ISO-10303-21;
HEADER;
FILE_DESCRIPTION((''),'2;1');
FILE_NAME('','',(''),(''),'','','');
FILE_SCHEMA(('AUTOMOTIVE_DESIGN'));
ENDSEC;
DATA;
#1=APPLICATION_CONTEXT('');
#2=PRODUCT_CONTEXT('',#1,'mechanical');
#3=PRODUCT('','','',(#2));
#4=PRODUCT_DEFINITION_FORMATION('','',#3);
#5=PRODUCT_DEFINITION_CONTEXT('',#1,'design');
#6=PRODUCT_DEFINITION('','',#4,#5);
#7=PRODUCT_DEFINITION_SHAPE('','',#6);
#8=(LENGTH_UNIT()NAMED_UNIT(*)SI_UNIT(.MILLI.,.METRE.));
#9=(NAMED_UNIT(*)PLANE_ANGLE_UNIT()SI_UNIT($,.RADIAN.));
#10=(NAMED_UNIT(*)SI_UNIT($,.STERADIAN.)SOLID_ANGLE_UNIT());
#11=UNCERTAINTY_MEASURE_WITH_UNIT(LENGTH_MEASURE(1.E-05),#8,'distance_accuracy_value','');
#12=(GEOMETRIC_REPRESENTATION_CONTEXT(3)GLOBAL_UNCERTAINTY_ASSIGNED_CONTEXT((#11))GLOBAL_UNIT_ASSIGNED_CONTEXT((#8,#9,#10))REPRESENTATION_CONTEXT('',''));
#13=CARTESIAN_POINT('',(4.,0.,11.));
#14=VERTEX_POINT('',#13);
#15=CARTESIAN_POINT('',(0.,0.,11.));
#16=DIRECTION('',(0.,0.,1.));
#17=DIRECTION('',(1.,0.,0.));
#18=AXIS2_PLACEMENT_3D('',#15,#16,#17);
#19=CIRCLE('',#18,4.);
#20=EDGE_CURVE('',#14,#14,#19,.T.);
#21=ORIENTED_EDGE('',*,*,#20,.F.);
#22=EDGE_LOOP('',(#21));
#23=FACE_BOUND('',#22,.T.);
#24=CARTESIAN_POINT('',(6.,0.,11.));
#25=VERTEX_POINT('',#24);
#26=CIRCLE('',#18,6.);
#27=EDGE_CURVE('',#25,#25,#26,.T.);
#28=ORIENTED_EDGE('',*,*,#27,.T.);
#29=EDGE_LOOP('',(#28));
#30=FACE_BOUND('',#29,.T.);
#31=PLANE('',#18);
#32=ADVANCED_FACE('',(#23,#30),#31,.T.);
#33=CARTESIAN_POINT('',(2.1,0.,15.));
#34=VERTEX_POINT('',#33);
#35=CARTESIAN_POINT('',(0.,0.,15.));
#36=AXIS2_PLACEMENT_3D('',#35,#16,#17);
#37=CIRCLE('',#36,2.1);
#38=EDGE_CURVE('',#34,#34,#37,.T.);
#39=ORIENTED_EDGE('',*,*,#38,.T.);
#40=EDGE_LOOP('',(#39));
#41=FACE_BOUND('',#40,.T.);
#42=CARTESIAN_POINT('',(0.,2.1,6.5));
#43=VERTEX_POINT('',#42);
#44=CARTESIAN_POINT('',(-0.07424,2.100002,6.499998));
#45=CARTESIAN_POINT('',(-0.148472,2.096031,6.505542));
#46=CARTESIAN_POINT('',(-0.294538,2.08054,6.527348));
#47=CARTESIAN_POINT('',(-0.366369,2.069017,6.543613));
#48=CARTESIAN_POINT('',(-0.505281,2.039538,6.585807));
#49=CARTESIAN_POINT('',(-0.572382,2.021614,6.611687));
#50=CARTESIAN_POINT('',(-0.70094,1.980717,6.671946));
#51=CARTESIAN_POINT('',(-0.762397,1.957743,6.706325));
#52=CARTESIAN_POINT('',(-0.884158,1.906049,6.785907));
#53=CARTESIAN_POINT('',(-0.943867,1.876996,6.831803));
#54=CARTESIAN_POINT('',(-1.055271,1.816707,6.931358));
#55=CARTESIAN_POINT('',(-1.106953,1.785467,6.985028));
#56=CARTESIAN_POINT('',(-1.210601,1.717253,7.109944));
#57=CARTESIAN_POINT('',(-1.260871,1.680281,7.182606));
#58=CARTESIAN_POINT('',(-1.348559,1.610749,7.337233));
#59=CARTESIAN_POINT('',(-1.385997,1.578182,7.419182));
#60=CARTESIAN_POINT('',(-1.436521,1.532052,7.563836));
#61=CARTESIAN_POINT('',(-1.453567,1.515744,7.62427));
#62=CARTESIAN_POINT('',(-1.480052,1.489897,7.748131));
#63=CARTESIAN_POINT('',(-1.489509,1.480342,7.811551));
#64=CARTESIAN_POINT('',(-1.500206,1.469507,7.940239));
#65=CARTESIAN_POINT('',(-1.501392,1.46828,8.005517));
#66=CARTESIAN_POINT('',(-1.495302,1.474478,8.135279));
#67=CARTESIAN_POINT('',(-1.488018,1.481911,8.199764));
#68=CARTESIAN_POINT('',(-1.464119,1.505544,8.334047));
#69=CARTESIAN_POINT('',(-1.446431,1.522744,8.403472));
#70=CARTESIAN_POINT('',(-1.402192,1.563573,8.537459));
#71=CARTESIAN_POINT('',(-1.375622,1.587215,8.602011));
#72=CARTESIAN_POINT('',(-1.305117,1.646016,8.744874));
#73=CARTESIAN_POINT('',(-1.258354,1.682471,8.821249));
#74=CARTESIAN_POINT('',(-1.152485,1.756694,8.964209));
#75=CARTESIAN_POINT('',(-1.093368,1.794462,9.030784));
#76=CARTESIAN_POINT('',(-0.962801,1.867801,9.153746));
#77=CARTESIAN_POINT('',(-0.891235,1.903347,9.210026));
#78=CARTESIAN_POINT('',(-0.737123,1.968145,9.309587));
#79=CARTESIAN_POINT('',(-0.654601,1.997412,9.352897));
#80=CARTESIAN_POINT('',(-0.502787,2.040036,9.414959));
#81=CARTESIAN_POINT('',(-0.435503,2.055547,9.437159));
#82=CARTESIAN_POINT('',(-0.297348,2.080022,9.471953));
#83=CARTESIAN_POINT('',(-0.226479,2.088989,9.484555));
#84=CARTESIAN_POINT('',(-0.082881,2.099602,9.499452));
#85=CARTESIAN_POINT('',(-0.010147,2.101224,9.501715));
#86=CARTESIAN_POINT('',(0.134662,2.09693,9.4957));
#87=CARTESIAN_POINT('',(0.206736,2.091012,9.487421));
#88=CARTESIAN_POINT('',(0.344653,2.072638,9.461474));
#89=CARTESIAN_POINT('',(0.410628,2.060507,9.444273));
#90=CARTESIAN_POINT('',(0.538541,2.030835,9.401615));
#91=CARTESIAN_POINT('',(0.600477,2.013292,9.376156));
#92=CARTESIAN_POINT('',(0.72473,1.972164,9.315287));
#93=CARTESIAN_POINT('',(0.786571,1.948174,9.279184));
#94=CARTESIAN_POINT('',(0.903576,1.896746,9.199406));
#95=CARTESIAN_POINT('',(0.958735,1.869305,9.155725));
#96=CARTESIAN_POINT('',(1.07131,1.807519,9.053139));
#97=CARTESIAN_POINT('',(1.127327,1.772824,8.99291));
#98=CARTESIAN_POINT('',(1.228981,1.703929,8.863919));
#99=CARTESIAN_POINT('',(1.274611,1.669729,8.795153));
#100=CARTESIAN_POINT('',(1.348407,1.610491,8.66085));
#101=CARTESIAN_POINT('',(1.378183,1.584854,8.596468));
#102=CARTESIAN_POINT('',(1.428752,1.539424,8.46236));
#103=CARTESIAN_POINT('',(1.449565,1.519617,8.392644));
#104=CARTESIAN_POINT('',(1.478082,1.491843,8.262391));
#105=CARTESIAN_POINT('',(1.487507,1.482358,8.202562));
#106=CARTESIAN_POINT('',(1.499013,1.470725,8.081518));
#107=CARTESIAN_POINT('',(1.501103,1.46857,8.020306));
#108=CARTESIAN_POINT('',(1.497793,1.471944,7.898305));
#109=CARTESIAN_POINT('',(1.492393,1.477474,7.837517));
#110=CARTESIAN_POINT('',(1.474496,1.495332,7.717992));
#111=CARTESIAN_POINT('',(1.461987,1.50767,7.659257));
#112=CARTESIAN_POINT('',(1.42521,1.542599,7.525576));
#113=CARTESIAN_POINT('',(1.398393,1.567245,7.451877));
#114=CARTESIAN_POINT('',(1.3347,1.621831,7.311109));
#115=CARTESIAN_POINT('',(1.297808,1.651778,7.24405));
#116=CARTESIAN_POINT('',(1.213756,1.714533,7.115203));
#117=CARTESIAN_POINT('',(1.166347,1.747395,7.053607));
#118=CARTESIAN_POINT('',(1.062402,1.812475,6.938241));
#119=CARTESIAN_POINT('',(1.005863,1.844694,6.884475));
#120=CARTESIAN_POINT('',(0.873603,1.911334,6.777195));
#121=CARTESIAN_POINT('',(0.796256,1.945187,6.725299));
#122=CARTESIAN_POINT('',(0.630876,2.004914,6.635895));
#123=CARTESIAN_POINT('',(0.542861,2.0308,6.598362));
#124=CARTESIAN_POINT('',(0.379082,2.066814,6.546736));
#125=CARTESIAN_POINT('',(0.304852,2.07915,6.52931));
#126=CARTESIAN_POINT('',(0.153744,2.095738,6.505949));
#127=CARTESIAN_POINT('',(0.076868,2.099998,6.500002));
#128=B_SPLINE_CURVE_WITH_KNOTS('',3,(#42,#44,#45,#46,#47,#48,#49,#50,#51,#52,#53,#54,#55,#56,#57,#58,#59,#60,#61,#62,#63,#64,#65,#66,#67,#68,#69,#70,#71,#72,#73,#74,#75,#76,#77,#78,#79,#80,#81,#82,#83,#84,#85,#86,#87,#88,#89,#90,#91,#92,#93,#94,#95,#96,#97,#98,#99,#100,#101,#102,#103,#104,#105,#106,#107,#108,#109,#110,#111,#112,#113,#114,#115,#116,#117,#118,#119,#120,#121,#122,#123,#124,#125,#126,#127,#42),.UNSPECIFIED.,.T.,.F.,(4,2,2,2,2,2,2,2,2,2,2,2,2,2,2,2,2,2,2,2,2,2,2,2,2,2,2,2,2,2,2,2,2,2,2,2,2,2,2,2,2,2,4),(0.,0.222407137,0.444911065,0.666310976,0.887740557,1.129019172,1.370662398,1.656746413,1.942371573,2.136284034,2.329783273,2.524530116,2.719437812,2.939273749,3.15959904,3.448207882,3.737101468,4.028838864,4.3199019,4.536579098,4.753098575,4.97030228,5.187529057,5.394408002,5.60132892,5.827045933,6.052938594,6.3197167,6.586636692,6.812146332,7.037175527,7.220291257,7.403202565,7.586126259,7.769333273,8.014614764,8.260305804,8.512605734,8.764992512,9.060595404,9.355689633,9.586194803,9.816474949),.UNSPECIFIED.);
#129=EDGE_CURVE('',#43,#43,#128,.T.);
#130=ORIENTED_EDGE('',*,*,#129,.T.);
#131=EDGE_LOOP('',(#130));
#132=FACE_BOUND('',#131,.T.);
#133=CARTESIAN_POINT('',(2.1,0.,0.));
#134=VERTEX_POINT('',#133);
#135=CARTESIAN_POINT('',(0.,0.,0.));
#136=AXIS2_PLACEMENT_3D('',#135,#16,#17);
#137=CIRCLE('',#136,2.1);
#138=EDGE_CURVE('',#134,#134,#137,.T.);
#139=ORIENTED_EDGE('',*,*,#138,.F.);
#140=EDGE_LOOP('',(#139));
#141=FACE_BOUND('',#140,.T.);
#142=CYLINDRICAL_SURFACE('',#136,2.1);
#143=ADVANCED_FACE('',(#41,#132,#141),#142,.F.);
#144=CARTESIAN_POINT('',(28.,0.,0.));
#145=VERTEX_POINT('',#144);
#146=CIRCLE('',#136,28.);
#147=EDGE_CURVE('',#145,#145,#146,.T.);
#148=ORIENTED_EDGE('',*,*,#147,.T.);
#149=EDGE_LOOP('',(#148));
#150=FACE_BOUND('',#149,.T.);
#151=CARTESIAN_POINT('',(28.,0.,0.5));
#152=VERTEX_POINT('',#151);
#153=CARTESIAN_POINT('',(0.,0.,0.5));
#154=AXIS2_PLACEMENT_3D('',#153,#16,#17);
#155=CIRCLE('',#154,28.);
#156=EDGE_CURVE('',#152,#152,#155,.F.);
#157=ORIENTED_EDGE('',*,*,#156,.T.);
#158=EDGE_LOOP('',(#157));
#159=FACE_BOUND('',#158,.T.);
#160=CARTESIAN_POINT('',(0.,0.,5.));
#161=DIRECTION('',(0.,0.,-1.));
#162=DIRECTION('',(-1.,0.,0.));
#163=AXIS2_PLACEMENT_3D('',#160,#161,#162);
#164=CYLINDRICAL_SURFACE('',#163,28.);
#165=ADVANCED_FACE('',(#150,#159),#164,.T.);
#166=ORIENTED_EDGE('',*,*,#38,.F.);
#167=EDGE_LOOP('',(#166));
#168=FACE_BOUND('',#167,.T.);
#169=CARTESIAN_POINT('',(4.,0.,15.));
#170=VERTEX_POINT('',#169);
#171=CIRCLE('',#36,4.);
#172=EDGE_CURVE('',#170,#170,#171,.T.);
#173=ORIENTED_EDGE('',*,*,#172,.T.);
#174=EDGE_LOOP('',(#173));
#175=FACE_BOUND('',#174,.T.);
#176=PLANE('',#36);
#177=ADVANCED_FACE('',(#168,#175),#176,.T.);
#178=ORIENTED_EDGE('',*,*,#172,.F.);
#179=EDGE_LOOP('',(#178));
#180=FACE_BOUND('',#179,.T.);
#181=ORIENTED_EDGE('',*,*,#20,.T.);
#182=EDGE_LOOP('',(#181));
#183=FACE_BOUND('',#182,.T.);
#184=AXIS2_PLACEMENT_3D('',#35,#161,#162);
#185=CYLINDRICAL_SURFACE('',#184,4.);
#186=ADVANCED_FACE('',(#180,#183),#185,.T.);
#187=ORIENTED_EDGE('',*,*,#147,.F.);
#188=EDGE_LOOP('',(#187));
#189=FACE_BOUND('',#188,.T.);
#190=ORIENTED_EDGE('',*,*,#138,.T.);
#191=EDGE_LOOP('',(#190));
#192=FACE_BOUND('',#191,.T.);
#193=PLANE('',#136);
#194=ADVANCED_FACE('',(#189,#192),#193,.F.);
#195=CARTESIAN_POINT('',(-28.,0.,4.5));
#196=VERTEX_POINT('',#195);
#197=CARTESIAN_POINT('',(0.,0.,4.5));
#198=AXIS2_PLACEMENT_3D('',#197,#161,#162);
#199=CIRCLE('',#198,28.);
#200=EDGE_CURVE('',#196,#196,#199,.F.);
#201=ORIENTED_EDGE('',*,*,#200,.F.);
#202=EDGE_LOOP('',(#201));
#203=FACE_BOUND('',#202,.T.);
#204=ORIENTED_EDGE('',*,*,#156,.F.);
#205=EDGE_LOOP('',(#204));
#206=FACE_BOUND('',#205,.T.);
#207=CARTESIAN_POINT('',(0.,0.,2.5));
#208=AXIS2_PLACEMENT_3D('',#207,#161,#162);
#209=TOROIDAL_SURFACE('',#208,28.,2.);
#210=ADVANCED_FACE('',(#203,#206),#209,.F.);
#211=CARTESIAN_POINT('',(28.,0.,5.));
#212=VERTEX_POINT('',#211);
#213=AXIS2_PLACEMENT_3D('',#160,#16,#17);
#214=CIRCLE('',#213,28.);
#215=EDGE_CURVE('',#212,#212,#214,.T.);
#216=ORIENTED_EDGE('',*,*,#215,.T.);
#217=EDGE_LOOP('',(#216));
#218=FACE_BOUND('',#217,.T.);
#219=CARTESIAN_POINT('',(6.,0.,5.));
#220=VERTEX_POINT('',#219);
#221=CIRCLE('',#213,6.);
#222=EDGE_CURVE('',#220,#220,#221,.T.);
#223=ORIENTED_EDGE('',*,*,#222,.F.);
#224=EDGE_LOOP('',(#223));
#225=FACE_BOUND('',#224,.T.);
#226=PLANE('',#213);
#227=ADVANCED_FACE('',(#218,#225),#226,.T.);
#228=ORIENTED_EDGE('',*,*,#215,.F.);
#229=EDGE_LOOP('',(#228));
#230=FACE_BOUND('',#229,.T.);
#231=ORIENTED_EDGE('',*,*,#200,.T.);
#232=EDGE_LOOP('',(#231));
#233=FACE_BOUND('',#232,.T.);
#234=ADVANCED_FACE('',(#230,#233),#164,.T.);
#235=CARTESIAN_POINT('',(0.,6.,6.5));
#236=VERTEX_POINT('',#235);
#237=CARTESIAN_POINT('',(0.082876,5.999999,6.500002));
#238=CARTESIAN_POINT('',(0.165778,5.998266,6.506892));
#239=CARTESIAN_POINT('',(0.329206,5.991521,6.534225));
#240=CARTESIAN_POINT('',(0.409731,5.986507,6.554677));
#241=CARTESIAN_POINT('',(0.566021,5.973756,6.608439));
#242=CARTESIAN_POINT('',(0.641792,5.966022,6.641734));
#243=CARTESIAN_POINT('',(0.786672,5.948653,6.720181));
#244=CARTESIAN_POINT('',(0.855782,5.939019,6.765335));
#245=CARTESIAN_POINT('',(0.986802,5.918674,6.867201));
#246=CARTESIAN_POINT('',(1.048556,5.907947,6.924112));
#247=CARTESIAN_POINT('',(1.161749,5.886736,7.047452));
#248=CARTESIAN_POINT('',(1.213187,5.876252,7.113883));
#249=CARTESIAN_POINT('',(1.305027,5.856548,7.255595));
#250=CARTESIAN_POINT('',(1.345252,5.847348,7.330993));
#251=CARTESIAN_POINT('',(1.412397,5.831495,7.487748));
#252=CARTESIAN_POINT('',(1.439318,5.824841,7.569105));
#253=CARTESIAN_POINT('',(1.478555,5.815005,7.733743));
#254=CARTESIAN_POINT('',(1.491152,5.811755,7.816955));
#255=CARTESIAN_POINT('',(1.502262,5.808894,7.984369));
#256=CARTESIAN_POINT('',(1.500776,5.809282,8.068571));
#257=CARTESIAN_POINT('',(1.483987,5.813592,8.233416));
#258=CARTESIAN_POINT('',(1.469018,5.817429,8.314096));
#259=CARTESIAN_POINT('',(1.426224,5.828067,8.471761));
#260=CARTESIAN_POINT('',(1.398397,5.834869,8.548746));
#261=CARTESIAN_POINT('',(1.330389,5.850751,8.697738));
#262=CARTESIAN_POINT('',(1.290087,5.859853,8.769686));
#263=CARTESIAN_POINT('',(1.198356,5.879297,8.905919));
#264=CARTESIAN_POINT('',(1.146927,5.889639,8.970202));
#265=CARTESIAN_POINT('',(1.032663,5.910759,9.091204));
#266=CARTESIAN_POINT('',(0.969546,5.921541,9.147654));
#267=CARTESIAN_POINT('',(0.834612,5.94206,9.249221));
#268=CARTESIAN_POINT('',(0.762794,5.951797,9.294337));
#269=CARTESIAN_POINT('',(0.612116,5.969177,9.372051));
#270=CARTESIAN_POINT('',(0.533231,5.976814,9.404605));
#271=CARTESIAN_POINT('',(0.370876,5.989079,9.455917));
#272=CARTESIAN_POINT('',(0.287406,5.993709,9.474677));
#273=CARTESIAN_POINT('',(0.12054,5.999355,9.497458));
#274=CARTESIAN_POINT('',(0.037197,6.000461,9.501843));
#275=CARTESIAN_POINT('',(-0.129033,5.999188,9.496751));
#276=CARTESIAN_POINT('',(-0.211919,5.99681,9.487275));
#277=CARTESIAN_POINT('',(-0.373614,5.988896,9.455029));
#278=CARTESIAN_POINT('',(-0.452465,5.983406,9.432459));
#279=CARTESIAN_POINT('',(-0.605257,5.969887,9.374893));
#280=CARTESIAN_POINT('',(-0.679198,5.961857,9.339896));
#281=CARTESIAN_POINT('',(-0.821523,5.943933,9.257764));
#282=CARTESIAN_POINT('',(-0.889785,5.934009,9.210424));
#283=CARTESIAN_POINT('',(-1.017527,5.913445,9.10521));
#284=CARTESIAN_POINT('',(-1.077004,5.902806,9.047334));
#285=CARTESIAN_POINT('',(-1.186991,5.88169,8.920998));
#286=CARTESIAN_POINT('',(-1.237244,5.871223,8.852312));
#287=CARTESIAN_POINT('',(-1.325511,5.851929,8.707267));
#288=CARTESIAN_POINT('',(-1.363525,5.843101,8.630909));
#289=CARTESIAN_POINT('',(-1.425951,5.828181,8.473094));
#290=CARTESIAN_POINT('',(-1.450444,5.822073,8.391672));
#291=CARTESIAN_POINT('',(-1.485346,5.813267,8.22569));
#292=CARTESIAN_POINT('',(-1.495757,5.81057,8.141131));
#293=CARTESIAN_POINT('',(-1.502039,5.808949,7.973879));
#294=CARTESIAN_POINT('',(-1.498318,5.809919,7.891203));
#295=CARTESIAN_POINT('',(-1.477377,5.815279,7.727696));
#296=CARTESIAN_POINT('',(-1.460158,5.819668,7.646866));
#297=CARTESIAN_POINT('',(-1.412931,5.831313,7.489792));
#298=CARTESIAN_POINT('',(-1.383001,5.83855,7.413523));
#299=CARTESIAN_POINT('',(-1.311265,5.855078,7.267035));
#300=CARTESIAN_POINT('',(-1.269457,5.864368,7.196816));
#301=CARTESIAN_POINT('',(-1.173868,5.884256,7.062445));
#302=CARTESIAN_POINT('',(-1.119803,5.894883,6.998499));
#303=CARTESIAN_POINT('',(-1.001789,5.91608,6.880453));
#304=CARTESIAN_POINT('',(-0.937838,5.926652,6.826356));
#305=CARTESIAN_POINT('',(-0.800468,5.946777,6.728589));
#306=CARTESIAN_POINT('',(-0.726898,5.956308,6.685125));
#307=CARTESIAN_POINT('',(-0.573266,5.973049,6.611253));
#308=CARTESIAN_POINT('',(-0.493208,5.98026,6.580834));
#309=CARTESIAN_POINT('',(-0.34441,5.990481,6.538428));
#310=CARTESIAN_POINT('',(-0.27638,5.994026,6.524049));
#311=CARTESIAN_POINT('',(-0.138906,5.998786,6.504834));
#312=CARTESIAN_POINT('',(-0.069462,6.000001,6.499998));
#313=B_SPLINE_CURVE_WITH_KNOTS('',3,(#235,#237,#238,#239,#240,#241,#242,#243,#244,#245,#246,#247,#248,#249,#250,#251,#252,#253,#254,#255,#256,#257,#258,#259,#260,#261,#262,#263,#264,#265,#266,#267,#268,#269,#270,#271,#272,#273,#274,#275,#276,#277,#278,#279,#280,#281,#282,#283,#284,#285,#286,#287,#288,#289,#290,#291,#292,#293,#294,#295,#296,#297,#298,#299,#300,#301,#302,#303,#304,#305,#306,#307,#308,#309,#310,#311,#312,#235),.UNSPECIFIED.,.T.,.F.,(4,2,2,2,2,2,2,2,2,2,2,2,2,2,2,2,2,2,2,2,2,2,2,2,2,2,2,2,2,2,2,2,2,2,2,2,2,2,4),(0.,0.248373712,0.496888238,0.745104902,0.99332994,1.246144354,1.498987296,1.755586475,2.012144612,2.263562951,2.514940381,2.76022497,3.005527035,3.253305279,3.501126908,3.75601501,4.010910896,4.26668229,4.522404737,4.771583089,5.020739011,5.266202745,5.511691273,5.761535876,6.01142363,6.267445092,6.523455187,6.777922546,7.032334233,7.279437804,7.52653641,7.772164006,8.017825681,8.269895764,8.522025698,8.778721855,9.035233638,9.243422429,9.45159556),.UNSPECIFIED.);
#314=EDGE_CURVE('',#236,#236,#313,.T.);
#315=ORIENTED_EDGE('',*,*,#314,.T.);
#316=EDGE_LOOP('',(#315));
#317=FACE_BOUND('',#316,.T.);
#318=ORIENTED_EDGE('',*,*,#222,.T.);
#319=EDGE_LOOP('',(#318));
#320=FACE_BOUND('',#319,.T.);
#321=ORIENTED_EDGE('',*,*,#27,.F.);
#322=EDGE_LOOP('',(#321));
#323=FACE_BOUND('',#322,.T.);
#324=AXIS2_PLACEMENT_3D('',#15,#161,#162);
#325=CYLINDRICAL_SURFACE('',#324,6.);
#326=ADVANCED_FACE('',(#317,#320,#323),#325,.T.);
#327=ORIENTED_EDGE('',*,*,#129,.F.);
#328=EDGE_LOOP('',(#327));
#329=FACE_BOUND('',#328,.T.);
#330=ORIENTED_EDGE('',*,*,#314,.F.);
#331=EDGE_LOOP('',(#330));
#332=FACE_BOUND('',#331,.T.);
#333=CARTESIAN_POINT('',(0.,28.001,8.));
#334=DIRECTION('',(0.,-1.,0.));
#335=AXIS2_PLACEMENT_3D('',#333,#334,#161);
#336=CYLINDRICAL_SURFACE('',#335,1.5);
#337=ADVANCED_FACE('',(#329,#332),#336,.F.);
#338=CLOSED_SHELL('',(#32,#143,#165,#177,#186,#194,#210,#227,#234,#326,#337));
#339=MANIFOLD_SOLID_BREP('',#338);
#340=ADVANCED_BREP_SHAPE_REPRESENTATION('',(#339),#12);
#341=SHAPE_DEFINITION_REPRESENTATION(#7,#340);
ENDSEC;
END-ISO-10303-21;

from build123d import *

# Parameters (mm, degrees)
ESQUISSE1_R                  = 28
BOSS_EXTRU_1_DEPTH           = 5
ESQUISSE2_R                  = 4
BOSS_EXTRU_2_DEPTH           = 10
ESQUISSE3_R                  = 2.1
ENL_V_MAT_EXTRU_1_DEPTH      = 43.343830719
ESQUISSE4_R                  = 2
ESQUISSE5_R                  = 6
ESQUISSE5_R_2                = 4
BOSS_EXTRU_3_DEPTH           = 6
ENL_V_MAT_EXTRU_2_REACH      = 44.344
ENL_V_MAT_EXTRU_2_END_RADIUS = 6
ESQUISSE6_R                  = 1.5


with BuildPart() as part:
    # Esquisse1 → Boss.-Extru.1 (new body)
    with BuildSketch(Plane.XY):
        Circle(ESQUISSE1_R)
    extrude(amount=BOSS_EXTRU_1_DEPTH)

    # Esquisse2 → Boss.-Extru.2 (add)
    with BuildSketch(Plane.XY.offset(5)):
        Circle(ESQUISSE2_R)
    extrude(amount=BOSS_EXTRU_2_DEPTH)

    # Esquisse3 → Enlèv. mat.-Extru.1 (cut, through all)
    with BuildSketch(Plane.XY.offset(15)):
        Circle(ESQUISSE3_R)
    extrude(amount=-ENL_V_MAT_EXTRU_1_DEPTH, mode=Mode.SUBTRACT)

    # Esquisse4 → Enlèvement de matière-Révolution1 (revolve, cut)
    with BuildSketch(Plane(origin=(0, 0, 0), x_dir=(0, 0, -1), z_dir=(1, 0, 0)), mode=Mode.PRIVATE) as enl_vement_de_mati_re_r_volution1_sk:
        with Locations((-2.5, 28)):
            Circle(ESQUISSE4_R)
    revolve(enl_vement_de_mati_re_r_volution1_sk.sketch.rotate(Axis((0, 0, 0), (0, 0, 1)), 90), axis=Axis((0, 0, 0), (0, 0, 1)), mode=Mode.SUBTRACT)

    # Esquisse5 → Boss.-Extru.3 (add)
    with BuildSketch(Plane.XY.offset(5)):
        Circle(ESQUISSE5_R)
        Circle(ESQUISSE5_R_2, mode=Mode.SUBTRACT)
    extrude(amount=BOSS_EXTRU_3_DEPTH)

    # Enlèv. mat.-Extru.2: up to this cylinder (the profile starts inside it)
    enl_v_mat_extru_2_end = Plane(origin=(0, 0, 8), z_dir=(0, 0, -1)) * Cylinder(ENL_V_MAT_EXTRU_2_END_RADIUS, 101.688, mode=Mode.PRIVATE)
    # Esquisse6 → Enlèv. mat.-Extru.2 (cut, up to the surface)
    with BuildSketch(Plane(origin=(0, 0, 0), x_dir=(1, 0, 0), z_dir=(0, 1, 0)), mode=Mode.PRIVATE) as enl_v_mat_extru_2_sk1:
        with Locations(Location((0, -8, 0), (0, 0, 90))):
            Circle(ESQUISSE6_R)
    enl_v_mat_extru_2_tool1 = extrude(enl_v_mat_extru_2_sk1.sketch, amount=ENL_V_MAT_EXTRU_2_REACH, mode=Mode.PRIVATE) & enl_v_mat_extru_2_end
    add(enl_v_mat_extru_2_tool1.solids().sort_by_distance((0, 0, 8))[0], mode=Mode.SUBTRACT)


solid = part.part
